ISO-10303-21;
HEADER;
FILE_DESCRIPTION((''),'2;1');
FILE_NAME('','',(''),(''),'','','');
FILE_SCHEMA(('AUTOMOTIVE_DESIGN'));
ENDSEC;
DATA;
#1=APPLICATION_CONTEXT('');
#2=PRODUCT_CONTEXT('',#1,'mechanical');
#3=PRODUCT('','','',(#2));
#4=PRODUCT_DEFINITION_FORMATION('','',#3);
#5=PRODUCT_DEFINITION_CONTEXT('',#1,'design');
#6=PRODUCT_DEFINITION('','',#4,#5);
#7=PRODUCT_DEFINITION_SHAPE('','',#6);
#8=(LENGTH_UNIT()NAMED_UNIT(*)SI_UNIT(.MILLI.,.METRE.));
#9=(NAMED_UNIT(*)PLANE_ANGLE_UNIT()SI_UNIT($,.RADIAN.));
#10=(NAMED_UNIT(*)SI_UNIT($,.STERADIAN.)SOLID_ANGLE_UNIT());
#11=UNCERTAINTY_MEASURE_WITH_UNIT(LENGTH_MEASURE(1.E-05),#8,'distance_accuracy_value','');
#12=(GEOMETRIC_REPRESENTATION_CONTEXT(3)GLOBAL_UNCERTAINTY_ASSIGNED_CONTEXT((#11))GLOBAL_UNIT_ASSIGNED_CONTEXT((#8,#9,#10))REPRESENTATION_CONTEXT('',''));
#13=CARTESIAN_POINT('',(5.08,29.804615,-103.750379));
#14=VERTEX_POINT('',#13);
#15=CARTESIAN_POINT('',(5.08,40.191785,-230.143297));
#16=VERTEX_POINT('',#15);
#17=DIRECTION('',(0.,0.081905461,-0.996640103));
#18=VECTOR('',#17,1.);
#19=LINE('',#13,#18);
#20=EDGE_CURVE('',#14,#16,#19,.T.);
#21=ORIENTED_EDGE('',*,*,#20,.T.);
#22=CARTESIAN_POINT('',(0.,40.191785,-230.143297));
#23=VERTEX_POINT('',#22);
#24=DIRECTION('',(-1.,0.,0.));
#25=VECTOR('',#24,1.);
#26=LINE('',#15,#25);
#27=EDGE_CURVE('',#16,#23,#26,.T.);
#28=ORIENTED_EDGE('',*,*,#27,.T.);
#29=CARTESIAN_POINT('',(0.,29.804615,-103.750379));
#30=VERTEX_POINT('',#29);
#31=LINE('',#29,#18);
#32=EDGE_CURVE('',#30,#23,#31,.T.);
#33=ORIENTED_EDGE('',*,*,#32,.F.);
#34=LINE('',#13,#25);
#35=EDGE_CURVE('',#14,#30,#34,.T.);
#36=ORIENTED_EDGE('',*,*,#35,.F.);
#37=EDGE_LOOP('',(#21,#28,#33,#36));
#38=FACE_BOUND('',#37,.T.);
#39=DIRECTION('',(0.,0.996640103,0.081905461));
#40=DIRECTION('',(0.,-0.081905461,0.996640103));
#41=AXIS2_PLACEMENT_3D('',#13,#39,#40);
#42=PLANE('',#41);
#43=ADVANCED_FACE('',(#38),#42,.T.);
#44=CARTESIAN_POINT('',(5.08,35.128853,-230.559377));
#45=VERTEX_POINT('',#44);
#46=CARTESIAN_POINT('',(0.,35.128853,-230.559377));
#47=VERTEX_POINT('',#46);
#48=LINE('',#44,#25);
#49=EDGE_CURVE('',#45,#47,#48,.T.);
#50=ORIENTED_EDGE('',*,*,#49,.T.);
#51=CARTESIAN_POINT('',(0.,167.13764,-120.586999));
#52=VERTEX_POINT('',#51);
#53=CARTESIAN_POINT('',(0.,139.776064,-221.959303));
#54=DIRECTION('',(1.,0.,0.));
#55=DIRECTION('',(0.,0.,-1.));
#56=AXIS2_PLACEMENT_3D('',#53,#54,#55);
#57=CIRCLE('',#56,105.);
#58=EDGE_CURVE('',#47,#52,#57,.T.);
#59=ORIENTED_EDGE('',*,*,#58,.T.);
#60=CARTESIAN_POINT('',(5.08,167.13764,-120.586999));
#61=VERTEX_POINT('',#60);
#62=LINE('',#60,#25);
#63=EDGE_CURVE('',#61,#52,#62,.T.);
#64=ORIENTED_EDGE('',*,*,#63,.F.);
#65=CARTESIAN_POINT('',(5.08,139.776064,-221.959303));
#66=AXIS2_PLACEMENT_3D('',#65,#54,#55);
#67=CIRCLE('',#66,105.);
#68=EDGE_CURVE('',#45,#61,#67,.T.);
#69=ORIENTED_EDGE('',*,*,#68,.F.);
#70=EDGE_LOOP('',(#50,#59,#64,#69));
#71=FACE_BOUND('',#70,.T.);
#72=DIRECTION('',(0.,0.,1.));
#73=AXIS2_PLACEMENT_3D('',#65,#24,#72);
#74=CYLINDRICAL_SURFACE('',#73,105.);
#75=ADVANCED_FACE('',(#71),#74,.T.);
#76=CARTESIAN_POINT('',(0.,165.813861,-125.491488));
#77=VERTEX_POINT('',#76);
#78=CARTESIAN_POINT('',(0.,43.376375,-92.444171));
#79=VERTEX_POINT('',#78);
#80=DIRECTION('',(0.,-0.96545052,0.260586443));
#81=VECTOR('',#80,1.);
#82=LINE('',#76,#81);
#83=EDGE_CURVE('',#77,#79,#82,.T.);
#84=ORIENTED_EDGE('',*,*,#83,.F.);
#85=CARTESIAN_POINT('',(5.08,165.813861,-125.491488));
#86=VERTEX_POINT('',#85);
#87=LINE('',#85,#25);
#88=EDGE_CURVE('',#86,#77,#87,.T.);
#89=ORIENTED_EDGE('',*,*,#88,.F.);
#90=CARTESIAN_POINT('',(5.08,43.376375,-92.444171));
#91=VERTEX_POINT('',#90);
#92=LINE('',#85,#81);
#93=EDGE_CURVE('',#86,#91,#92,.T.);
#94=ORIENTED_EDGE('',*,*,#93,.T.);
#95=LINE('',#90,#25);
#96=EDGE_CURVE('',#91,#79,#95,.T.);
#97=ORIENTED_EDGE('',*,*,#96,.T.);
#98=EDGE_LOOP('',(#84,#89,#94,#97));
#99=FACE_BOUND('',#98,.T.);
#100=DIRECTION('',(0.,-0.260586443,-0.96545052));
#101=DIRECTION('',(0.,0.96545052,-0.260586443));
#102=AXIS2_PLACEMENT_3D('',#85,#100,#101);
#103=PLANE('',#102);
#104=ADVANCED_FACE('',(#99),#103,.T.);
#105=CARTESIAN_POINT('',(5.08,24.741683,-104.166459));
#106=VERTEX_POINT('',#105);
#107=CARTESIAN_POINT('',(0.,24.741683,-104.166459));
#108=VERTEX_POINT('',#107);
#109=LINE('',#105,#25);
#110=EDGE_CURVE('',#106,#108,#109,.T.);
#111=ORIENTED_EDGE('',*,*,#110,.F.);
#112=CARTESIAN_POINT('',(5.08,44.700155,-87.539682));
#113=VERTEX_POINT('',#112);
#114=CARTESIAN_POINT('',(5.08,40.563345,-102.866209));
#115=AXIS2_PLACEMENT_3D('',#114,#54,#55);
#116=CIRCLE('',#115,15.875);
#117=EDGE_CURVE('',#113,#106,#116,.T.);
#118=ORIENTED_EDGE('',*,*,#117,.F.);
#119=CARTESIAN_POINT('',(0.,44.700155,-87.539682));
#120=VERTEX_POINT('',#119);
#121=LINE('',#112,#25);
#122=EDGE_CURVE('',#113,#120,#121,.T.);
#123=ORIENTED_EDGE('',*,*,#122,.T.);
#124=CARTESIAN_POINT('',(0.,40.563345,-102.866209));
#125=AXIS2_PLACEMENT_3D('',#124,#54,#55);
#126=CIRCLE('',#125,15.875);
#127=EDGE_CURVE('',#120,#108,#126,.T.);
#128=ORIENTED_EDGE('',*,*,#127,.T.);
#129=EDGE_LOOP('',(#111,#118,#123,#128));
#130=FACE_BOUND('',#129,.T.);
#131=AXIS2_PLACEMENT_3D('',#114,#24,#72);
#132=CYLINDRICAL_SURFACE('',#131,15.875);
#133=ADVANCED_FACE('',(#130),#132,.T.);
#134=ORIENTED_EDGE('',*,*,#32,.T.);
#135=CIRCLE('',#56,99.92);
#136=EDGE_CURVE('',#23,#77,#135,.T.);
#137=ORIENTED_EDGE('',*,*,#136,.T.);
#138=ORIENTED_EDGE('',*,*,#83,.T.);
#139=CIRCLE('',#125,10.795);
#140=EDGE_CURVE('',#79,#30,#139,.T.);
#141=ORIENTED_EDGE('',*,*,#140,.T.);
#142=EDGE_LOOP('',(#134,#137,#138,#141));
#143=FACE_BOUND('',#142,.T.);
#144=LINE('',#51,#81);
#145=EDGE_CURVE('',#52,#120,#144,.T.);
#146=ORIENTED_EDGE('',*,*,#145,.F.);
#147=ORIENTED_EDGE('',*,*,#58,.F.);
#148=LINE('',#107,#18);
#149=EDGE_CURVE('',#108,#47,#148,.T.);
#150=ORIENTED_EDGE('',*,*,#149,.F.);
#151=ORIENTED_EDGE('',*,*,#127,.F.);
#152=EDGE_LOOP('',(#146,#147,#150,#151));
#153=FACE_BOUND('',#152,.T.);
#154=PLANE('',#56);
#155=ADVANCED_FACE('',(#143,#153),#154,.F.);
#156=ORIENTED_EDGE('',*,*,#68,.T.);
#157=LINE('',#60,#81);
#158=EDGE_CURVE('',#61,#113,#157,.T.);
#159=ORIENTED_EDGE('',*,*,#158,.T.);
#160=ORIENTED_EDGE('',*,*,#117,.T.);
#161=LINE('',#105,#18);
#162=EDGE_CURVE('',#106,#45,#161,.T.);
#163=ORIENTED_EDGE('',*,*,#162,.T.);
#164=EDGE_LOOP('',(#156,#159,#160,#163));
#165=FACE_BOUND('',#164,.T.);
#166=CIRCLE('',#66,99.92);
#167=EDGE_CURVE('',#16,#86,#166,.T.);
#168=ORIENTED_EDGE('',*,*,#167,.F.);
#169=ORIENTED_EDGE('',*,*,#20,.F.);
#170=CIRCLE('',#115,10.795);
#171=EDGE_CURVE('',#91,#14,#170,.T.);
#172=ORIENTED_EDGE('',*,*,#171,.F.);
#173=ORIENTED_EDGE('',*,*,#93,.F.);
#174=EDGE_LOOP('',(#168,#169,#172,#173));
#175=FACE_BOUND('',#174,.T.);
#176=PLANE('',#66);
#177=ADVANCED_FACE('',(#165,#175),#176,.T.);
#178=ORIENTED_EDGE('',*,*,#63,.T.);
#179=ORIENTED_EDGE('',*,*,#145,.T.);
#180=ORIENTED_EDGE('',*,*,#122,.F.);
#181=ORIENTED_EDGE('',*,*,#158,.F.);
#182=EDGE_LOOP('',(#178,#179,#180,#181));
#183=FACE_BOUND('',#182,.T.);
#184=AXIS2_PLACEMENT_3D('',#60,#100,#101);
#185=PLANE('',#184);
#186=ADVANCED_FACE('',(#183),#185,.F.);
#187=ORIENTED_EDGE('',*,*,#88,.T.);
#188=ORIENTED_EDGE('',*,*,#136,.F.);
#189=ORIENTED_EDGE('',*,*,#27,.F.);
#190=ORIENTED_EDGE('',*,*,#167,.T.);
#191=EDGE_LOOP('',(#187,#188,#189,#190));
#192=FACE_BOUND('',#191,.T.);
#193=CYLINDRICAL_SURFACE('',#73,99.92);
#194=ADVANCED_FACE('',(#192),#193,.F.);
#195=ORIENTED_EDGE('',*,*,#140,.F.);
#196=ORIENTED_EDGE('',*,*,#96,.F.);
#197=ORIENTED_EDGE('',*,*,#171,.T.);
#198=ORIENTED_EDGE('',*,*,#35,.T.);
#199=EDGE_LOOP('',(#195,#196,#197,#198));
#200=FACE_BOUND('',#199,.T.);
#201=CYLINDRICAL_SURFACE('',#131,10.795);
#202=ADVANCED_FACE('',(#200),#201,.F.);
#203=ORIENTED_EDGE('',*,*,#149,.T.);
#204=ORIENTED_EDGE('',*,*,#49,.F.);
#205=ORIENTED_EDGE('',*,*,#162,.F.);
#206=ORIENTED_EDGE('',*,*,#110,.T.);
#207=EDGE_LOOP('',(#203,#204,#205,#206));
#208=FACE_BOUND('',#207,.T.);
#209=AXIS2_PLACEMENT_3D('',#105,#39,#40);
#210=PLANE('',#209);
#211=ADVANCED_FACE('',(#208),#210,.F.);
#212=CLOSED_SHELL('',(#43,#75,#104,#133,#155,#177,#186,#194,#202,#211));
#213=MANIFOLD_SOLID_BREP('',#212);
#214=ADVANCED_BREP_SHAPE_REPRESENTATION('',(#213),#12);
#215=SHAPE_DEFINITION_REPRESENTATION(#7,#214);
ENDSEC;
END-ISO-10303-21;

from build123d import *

# Parameters (mm, degrees)
BOSS_EXTRUDE1_DEPTH = 5.08


with BuildPart() as part:
    # Sketch1 → Boss-Extrude1 (new body)
    with BuildSketch(Plane(origin=(0, 0, 0), x_dir=(0, 0, -1), z_dir=(1, 0, 0))):
        with BuildLine():
            Line((120.586998924, 167.137640487), (87.539682399, 44.700154532))
            ThreePointArc((87.539682399, 44.700154532), (90.669108817, 30.402323035), (104.166458591, 24.741683115))
            Line((104.166458591, 24.741683115), (230.559376885, 35.128853164))
            ThreePointArc((230.559376885, 35.128853164), (302.63303962, 206.982821842), (120.586998924, 167.137640487))
        make_face()
        with BuildLine():
            Line((125.491487564, 165.813861358), (92.444171039, 43.376375403))
            ThreePointArc((92.444171039, 43.376375403), (94.572181003, 33.653849985), (103.75037885, 29.80461484))
            Line((103.75037885, 29.80461484), (230.143297144, 40.191784889))
            ThreePointArc((230.143297144, 40.191784889), (298.729967434, 203.731294892), (125.491487564, 165.813861358))
        make_face(mode=Mode.SUBTRACT)
    extrude(amount=BOSS_EXTRUDE1_DEPTH)


solid = part.part
